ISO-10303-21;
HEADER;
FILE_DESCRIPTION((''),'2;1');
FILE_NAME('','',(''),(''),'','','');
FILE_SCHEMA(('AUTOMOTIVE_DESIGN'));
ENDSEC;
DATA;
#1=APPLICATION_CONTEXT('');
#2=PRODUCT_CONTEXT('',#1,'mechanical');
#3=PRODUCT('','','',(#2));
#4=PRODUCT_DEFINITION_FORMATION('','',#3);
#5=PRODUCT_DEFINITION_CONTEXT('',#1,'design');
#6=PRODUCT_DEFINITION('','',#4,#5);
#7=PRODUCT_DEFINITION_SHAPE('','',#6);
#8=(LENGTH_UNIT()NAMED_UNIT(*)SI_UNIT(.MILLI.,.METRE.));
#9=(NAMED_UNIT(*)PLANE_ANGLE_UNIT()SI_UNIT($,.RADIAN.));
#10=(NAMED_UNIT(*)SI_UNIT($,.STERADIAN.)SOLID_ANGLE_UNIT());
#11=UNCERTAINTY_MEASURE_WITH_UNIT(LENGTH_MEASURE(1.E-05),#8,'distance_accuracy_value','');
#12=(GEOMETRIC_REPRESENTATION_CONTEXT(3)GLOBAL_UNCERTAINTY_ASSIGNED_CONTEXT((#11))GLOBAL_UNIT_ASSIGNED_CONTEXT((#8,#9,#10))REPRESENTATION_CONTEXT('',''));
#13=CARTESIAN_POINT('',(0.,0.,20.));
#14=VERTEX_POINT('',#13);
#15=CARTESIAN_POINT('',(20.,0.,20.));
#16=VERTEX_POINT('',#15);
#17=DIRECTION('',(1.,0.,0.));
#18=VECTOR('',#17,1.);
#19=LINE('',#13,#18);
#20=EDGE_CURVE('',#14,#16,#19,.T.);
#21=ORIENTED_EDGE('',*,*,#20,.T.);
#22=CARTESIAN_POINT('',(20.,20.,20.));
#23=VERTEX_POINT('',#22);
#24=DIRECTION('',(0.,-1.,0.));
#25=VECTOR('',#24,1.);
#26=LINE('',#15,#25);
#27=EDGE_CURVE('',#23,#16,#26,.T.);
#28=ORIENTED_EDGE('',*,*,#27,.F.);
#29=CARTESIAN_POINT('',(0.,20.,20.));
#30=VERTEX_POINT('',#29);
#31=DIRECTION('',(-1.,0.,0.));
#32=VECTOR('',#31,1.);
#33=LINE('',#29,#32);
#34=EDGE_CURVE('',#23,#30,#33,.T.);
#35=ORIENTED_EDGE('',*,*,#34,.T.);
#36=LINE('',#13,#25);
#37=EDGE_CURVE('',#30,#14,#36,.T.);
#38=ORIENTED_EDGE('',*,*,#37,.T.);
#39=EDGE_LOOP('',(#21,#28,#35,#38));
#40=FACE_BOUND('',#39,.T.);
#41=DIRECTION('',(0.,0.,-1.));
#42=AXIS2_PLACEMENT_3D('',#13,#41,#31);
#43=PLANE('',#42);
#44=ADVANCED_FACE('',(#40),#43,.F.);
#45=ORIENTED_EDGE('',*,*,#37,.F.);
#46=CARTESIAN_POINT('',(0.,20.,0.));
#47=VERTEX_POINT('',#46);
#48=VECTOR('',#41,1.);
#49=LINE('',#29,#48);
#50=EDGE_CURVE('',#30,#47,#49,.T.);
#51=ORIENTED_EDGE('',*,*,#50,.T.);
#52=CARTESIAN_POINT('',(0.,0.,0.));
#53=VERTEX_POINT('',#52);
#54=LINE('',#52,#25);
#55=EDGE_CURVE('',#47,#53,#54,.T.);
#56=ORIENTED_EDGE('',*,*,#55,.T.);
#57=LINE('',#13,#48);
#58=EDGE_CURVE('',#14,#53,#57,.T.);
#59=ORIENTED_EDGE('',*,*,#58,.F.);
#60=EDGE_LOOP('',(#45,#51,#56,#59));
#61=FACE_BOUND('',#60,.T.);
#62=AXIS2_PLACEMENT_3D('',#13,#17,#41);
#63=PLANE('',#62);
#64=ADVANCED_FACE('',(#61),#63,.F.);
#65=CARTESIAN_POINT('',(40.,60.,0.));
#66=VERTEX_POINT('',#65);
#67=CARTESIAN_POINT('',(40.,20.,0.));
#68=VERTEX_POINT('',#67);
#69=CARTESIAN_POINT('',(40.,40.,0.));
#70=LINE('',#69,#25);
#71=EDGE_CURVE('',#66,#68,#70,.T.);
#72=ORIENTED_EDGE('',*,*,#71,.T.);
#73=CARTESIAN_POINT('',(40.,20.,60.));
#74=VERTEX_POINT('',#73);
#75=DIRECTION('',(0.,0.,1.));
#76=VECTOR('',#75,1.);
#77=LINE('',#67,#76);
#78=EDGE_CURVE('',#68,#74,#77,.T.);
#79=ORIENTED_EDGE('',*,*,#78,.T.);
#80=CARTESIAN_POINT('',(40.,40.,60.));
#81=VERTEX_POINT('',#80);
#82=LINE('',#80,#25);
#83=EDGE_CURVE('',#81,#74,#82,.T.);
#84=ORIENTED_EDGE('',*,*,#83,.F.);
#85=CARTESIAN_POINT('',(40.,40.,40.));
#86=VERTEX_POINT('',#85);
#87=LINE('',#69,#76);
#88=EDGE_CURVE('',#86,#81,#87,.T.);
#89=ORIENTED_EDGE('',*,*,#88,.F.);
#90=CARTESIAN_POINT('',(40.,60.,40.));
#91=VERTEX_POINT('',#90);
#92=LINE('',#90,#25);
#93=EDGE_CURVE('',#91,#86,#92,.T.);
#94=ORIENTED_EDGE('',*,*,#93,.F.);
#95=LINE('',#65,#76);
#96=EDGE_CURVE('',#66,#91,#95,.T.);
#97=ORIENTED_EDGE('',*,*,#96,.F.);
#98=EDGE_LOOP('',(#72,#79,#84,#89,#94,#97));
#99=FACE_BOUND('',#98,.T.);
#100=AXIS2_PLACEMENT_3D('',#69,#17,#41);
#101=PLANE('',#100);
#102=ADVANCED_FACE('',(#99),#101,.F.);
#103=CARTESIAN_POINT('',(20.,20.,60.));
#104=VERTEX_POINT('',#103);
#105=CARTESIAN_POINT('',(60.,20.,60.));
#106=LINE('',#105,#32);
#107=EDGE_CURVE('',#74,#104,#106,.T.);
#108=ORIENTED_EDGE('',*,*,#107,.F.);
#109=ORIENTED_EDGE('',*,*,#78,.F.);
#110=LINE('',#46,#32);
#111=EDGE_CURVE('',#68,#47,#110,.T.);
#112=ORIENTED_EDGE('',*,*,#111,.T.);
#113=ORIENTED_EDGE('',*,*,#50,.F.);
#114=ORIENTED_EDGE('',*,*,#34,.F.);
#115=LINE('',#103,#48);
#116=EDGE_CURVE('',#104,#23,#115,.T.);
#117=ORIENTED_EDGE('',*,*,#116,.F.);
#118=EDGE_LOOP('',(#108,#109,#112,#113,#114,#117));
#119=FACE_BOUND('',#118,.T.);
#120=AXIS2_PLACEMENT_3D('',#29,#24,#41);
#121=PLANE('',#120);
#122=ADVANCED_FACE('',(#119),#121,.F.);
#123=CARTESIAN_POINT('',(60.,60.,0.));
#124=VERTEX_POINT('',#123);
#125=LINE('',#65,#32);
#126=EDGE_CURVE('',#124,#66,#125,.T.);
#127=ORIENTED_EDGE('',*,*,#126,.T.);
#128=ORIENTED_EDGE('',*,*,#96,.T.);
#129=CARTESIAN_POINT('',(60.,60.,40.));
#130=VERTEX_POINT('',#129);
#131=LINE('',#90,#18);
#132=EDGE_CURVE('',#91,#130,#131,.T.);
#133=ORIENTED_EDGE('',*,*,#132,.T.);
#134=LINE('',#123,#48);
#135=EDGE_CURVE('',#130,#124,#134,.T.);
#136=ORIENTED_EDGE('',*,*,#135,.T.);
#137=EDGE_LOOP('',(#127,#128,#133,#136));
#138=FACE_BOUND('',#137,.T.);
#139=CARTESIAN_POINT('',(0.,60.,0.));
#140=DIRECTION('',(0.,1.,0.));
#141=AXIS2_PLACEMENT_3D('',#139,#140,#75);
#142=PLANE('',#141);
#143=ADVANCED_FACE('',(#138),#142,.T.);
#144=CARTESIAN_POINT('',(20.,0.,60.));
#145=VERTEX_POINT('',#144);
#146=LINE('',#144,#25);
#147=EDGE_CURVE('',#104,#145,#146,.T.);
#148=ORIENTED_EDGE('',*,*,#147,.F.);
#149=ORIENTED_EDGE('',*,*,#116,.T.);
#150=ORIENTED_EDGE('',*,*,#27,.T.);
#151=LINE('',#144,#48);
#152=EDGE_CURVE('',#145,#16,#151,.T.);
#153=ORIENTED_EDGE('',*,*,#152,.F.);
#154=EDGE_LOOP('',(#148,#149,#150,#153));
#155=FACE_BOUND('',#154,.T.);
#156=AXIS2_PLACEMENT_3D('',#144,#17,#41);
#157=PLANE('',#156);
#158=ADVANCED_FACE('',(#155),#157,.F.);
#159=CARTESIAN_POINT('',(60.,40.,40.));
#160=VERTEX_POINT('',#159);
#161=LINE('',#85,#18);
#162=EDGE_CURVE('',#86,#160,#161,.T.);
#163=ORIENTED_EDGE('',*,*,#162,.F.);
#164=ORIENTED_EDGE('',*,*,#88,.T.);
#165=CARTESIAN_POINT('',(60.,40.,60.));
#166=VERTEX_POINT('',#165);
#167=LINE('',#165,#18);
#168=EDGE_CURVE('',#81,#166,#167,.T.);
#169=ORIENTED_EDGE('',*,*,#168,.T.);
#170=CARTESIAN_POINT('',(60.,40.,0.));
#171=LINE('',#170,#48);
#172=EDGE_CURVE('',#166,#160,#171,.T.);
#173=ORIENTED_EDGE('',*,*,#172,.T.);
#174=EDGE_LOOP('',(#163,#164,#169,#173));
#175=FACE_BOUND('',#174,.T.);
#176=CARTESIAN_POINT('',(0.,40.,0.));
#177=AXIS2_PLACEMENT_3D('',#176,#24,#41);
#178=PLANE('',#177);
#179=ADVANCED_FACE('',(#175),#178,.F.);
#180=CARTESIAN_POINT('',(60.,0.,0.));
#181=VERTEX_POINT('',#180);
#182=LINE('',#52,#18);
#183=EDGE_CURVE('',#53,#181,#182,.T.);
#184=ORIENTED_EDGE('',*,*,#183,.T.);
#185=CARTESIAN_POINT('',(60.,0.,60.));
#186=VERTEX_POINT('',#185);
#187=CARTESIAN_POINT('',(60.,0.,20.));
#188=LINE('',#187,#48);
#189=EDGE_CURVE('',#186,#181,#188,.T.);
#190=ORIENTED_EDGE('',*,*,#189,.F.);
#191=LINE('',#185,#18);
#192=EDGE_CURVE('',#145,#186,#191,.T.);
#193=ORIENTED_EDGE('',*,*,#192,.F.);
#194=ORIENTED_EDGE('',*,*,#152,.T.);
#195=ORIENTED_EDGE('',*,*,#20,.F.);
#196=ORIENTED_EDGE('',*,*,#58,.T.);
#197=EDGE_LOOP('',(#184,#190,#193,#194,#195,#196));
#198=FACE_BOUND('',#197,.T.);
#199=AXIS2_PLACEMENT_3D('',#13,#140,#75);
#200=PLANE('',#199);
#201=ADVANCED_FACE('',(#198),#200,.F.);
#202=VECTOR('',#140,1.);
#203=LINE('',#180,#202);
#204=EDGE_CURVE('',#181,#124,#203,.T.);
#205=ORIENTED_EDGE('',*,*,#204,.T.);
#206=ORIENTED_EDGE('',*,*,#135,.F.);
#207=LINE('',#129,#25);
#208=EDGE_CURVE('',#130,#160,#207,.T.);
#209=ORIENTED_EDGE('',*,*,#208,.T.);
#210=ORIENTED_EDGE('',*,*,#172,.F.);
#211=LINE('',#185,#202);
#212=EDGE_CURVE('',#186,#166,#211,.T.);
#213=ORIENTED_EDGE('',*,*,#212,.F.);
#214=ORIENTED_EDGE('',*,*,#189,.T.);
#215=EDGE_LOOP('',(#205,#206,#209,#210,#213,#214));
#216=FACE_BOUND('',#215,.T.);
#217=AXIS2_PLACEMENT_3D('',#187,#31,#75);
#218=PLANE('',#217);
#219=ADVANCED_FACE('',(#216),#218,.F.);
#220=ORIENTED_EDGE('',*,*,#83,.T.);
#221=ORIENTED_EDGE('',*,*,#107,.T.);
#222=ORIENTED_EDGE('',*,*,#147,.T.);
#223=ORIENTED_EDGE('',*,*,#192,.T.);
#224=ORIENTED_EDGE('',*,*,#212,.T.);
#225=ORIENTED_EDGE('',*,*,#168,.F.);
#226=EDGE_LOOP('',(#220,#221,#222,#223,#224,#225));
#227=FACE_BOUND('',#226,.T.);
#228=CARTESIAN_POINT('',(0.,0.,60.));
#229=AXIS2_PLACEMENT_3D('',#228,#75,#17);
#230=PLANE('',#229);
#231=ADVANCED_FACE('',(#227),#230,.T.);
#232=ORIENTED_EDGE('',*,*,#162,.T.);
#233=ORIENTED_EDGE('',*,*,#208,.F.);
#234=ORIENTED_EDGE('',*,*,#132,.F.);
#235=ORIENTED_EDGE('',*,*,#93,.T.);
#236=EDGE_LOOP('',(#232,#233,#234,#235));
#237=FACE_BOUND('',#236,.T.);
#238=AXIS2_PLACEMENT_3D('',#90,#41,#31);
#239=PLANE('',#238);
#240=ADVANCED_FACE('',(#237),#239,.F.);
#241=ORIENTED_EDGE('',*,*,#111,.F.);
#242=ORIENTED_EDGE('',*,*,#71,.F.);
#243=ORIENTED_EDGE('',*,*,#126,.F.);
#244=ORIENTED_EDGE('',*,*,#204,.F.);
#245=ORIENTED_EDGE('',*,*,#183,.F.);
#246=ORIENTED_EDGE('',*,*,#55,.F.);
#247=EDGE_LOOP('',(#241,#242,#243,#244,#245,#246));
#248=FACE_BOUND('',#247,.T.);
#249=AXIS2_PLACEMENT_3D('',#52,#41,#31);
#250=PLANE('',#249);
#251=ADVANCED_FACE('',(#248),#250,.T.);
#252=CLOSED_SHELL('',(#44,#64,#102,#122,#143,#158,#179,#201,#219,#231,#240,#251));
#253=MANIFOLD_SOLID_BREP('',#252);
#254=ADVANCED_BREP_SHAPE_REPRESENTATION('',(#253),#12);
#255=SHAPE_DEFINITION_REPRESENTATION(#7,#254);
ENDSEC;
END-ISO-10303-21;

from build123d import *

# Parameters (mm, degrees)
ESBO_O1_W                = 60
ESBO_O1_H                = 20
RESSALTO_EXTRUS_O1_DEPTH = 20
ESBO_O2_W                = 40
ESBO_O2_H                = 20
RESSALTO_EXTRUS_O2_DEPTH = 40
ESBO_O3_W                = 20
ESBO_O3_H                = 60
RESSALTO_EXTRUS_O3_DEPTH = 20
ESBO_O4_W                = 20
ESBO_O4_H                = 40
RESSALTO_EXTRUS_O4_DEPTH = 20


with BuildPart() as part:
    # Esboço1 → Ressalto-extrusão1 (new body)
    with BuildSketch(Plane.XY):
        with Locations((30, 10)):
            Rectangle(ESBO_O1_W, ESBO_O1_H)
    extrude(amount=RESSALTO_EXTRUS_O1_DEPTH)

    # Esboço2 → Ressalto-extrusão2 (add)
    with BuildSketch(Plane.XY.offset(20)):
        with Locations((40, 10)):
            Rectangle(ESBO_O2_W, ESBO_O2_H)
    extrude(amount=RESSALTO_EXTRUS_O2_DEPTH)

    # Esboço3 → Ressalto-extrusão3 (add)
    with BuildSketch(Plane(origin=(0, 20, 0), x_dir=(1, 0, 0), z_dir=(0, 1, 0))):
        with Locations((50, -30)):
            Rectangle(ESBO_O3_W, ESBO_O3_H)
    extrude(amount=RESSALTO_EXTRUS_O3_DEPTH)

    # Esboço4 → Ressalto-extrusão4 (add)
    with BuildSketch(Plane(origin=(0, 40, 0), x_dir=(1, 0, 0), z_dir=(0, 1, 0))):
        with Locations((50, -20)):
            Rectangle(ESBO_O4_W, ESBO_O4_H)
    extrude(amount=RESSALTO_EXTRUS_O4_DEPTH)


solid = part.part
